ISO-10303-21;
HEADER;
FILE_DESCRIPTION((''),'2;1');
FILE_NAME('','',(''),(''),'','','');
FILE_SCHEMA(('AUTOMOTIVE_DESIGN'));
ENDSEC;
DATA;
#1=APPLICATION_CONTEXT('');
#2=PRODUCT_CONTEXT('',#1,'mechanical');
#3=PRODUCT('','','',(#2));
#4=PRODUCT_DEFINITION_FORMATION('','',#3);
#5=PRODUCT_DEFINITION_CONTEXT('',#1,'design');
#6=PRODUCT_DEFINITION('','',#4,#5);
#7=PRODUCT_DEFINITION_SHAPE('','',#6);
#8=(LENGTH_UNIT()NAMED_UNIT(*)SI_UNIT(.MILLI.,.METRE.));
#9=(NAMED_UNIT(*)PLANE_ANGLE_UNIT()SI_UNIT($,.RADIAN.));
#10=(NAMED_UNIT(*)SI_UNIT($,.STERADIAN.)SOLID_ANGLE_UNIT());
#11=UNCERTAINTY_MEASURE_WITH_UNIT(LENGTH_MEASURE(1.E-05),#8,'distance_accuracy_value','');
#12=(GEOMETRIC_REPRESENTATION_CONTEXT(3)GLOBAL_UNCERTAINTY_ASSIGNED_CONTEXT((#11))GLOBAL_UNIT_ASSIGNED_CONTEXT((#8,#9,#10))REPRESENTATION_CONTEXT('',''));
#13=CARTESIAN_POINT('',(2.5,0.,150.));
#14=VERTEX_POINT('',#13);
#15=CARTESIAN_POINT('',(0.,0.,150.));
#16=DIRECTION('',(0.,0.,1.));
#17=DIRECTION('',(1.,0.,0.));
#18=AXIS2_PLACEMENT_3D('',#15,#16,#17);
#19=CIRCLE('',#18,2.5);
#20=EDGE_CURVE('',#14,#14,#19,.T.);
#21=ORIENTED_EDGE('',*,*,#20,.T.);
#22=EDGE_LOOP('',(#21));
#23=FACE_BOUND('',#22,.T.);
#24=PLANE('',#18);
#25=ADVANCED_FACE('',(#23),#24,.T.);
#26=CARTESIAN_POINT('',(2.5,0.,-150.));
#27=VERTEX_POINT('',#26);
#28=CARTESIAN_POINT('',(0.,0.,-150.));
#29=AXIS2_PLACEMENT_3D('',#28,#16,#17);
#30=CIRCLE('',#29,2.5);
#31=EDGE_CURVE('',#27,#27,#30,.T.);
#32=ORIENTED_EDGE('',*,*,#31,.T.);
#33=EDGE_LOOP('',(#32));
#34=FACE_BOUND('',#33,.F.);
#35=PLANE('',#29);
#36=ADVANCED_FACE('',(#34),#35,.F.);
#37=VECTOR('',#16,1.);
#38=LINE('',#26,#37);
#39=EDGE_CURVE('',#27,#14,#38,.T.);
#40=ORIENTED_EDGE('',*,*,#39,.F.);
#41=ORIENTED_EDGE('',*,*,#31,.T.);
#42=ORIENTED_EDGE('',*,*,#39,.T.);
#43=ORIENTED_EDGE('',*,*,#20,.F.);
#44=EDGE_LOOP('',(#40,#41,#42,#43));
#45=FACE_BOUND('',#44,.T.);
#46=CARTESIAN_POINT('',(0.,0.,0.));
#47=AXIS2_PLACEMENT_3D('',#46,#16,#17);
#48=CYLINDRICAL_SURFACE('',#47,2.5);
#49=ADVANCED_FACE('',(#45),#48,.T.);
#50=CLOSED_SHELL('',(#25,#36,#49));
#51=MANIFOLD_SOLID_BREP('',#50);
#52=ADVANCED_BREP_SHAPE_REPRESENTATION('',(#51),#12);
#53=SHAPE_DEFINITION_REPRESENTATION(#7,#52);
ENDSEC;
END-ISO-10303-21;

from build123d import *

# Parameters (mm, degrees)
ESBO_O1_R                = 2.5
RESSALTO_EXTRUS_O1_DEPTH = 150


with BuildPart() as part:
    # Esboço1 → Ressalto-extrusão1 (new body, symmetric)
    with BuildSketch(Plane.XY):
        Circle(ESBO_O1_R)
    extrude(amount=RESSALTO_EXTRUS_O1_DEPTH, both=True)


solid = part.part
